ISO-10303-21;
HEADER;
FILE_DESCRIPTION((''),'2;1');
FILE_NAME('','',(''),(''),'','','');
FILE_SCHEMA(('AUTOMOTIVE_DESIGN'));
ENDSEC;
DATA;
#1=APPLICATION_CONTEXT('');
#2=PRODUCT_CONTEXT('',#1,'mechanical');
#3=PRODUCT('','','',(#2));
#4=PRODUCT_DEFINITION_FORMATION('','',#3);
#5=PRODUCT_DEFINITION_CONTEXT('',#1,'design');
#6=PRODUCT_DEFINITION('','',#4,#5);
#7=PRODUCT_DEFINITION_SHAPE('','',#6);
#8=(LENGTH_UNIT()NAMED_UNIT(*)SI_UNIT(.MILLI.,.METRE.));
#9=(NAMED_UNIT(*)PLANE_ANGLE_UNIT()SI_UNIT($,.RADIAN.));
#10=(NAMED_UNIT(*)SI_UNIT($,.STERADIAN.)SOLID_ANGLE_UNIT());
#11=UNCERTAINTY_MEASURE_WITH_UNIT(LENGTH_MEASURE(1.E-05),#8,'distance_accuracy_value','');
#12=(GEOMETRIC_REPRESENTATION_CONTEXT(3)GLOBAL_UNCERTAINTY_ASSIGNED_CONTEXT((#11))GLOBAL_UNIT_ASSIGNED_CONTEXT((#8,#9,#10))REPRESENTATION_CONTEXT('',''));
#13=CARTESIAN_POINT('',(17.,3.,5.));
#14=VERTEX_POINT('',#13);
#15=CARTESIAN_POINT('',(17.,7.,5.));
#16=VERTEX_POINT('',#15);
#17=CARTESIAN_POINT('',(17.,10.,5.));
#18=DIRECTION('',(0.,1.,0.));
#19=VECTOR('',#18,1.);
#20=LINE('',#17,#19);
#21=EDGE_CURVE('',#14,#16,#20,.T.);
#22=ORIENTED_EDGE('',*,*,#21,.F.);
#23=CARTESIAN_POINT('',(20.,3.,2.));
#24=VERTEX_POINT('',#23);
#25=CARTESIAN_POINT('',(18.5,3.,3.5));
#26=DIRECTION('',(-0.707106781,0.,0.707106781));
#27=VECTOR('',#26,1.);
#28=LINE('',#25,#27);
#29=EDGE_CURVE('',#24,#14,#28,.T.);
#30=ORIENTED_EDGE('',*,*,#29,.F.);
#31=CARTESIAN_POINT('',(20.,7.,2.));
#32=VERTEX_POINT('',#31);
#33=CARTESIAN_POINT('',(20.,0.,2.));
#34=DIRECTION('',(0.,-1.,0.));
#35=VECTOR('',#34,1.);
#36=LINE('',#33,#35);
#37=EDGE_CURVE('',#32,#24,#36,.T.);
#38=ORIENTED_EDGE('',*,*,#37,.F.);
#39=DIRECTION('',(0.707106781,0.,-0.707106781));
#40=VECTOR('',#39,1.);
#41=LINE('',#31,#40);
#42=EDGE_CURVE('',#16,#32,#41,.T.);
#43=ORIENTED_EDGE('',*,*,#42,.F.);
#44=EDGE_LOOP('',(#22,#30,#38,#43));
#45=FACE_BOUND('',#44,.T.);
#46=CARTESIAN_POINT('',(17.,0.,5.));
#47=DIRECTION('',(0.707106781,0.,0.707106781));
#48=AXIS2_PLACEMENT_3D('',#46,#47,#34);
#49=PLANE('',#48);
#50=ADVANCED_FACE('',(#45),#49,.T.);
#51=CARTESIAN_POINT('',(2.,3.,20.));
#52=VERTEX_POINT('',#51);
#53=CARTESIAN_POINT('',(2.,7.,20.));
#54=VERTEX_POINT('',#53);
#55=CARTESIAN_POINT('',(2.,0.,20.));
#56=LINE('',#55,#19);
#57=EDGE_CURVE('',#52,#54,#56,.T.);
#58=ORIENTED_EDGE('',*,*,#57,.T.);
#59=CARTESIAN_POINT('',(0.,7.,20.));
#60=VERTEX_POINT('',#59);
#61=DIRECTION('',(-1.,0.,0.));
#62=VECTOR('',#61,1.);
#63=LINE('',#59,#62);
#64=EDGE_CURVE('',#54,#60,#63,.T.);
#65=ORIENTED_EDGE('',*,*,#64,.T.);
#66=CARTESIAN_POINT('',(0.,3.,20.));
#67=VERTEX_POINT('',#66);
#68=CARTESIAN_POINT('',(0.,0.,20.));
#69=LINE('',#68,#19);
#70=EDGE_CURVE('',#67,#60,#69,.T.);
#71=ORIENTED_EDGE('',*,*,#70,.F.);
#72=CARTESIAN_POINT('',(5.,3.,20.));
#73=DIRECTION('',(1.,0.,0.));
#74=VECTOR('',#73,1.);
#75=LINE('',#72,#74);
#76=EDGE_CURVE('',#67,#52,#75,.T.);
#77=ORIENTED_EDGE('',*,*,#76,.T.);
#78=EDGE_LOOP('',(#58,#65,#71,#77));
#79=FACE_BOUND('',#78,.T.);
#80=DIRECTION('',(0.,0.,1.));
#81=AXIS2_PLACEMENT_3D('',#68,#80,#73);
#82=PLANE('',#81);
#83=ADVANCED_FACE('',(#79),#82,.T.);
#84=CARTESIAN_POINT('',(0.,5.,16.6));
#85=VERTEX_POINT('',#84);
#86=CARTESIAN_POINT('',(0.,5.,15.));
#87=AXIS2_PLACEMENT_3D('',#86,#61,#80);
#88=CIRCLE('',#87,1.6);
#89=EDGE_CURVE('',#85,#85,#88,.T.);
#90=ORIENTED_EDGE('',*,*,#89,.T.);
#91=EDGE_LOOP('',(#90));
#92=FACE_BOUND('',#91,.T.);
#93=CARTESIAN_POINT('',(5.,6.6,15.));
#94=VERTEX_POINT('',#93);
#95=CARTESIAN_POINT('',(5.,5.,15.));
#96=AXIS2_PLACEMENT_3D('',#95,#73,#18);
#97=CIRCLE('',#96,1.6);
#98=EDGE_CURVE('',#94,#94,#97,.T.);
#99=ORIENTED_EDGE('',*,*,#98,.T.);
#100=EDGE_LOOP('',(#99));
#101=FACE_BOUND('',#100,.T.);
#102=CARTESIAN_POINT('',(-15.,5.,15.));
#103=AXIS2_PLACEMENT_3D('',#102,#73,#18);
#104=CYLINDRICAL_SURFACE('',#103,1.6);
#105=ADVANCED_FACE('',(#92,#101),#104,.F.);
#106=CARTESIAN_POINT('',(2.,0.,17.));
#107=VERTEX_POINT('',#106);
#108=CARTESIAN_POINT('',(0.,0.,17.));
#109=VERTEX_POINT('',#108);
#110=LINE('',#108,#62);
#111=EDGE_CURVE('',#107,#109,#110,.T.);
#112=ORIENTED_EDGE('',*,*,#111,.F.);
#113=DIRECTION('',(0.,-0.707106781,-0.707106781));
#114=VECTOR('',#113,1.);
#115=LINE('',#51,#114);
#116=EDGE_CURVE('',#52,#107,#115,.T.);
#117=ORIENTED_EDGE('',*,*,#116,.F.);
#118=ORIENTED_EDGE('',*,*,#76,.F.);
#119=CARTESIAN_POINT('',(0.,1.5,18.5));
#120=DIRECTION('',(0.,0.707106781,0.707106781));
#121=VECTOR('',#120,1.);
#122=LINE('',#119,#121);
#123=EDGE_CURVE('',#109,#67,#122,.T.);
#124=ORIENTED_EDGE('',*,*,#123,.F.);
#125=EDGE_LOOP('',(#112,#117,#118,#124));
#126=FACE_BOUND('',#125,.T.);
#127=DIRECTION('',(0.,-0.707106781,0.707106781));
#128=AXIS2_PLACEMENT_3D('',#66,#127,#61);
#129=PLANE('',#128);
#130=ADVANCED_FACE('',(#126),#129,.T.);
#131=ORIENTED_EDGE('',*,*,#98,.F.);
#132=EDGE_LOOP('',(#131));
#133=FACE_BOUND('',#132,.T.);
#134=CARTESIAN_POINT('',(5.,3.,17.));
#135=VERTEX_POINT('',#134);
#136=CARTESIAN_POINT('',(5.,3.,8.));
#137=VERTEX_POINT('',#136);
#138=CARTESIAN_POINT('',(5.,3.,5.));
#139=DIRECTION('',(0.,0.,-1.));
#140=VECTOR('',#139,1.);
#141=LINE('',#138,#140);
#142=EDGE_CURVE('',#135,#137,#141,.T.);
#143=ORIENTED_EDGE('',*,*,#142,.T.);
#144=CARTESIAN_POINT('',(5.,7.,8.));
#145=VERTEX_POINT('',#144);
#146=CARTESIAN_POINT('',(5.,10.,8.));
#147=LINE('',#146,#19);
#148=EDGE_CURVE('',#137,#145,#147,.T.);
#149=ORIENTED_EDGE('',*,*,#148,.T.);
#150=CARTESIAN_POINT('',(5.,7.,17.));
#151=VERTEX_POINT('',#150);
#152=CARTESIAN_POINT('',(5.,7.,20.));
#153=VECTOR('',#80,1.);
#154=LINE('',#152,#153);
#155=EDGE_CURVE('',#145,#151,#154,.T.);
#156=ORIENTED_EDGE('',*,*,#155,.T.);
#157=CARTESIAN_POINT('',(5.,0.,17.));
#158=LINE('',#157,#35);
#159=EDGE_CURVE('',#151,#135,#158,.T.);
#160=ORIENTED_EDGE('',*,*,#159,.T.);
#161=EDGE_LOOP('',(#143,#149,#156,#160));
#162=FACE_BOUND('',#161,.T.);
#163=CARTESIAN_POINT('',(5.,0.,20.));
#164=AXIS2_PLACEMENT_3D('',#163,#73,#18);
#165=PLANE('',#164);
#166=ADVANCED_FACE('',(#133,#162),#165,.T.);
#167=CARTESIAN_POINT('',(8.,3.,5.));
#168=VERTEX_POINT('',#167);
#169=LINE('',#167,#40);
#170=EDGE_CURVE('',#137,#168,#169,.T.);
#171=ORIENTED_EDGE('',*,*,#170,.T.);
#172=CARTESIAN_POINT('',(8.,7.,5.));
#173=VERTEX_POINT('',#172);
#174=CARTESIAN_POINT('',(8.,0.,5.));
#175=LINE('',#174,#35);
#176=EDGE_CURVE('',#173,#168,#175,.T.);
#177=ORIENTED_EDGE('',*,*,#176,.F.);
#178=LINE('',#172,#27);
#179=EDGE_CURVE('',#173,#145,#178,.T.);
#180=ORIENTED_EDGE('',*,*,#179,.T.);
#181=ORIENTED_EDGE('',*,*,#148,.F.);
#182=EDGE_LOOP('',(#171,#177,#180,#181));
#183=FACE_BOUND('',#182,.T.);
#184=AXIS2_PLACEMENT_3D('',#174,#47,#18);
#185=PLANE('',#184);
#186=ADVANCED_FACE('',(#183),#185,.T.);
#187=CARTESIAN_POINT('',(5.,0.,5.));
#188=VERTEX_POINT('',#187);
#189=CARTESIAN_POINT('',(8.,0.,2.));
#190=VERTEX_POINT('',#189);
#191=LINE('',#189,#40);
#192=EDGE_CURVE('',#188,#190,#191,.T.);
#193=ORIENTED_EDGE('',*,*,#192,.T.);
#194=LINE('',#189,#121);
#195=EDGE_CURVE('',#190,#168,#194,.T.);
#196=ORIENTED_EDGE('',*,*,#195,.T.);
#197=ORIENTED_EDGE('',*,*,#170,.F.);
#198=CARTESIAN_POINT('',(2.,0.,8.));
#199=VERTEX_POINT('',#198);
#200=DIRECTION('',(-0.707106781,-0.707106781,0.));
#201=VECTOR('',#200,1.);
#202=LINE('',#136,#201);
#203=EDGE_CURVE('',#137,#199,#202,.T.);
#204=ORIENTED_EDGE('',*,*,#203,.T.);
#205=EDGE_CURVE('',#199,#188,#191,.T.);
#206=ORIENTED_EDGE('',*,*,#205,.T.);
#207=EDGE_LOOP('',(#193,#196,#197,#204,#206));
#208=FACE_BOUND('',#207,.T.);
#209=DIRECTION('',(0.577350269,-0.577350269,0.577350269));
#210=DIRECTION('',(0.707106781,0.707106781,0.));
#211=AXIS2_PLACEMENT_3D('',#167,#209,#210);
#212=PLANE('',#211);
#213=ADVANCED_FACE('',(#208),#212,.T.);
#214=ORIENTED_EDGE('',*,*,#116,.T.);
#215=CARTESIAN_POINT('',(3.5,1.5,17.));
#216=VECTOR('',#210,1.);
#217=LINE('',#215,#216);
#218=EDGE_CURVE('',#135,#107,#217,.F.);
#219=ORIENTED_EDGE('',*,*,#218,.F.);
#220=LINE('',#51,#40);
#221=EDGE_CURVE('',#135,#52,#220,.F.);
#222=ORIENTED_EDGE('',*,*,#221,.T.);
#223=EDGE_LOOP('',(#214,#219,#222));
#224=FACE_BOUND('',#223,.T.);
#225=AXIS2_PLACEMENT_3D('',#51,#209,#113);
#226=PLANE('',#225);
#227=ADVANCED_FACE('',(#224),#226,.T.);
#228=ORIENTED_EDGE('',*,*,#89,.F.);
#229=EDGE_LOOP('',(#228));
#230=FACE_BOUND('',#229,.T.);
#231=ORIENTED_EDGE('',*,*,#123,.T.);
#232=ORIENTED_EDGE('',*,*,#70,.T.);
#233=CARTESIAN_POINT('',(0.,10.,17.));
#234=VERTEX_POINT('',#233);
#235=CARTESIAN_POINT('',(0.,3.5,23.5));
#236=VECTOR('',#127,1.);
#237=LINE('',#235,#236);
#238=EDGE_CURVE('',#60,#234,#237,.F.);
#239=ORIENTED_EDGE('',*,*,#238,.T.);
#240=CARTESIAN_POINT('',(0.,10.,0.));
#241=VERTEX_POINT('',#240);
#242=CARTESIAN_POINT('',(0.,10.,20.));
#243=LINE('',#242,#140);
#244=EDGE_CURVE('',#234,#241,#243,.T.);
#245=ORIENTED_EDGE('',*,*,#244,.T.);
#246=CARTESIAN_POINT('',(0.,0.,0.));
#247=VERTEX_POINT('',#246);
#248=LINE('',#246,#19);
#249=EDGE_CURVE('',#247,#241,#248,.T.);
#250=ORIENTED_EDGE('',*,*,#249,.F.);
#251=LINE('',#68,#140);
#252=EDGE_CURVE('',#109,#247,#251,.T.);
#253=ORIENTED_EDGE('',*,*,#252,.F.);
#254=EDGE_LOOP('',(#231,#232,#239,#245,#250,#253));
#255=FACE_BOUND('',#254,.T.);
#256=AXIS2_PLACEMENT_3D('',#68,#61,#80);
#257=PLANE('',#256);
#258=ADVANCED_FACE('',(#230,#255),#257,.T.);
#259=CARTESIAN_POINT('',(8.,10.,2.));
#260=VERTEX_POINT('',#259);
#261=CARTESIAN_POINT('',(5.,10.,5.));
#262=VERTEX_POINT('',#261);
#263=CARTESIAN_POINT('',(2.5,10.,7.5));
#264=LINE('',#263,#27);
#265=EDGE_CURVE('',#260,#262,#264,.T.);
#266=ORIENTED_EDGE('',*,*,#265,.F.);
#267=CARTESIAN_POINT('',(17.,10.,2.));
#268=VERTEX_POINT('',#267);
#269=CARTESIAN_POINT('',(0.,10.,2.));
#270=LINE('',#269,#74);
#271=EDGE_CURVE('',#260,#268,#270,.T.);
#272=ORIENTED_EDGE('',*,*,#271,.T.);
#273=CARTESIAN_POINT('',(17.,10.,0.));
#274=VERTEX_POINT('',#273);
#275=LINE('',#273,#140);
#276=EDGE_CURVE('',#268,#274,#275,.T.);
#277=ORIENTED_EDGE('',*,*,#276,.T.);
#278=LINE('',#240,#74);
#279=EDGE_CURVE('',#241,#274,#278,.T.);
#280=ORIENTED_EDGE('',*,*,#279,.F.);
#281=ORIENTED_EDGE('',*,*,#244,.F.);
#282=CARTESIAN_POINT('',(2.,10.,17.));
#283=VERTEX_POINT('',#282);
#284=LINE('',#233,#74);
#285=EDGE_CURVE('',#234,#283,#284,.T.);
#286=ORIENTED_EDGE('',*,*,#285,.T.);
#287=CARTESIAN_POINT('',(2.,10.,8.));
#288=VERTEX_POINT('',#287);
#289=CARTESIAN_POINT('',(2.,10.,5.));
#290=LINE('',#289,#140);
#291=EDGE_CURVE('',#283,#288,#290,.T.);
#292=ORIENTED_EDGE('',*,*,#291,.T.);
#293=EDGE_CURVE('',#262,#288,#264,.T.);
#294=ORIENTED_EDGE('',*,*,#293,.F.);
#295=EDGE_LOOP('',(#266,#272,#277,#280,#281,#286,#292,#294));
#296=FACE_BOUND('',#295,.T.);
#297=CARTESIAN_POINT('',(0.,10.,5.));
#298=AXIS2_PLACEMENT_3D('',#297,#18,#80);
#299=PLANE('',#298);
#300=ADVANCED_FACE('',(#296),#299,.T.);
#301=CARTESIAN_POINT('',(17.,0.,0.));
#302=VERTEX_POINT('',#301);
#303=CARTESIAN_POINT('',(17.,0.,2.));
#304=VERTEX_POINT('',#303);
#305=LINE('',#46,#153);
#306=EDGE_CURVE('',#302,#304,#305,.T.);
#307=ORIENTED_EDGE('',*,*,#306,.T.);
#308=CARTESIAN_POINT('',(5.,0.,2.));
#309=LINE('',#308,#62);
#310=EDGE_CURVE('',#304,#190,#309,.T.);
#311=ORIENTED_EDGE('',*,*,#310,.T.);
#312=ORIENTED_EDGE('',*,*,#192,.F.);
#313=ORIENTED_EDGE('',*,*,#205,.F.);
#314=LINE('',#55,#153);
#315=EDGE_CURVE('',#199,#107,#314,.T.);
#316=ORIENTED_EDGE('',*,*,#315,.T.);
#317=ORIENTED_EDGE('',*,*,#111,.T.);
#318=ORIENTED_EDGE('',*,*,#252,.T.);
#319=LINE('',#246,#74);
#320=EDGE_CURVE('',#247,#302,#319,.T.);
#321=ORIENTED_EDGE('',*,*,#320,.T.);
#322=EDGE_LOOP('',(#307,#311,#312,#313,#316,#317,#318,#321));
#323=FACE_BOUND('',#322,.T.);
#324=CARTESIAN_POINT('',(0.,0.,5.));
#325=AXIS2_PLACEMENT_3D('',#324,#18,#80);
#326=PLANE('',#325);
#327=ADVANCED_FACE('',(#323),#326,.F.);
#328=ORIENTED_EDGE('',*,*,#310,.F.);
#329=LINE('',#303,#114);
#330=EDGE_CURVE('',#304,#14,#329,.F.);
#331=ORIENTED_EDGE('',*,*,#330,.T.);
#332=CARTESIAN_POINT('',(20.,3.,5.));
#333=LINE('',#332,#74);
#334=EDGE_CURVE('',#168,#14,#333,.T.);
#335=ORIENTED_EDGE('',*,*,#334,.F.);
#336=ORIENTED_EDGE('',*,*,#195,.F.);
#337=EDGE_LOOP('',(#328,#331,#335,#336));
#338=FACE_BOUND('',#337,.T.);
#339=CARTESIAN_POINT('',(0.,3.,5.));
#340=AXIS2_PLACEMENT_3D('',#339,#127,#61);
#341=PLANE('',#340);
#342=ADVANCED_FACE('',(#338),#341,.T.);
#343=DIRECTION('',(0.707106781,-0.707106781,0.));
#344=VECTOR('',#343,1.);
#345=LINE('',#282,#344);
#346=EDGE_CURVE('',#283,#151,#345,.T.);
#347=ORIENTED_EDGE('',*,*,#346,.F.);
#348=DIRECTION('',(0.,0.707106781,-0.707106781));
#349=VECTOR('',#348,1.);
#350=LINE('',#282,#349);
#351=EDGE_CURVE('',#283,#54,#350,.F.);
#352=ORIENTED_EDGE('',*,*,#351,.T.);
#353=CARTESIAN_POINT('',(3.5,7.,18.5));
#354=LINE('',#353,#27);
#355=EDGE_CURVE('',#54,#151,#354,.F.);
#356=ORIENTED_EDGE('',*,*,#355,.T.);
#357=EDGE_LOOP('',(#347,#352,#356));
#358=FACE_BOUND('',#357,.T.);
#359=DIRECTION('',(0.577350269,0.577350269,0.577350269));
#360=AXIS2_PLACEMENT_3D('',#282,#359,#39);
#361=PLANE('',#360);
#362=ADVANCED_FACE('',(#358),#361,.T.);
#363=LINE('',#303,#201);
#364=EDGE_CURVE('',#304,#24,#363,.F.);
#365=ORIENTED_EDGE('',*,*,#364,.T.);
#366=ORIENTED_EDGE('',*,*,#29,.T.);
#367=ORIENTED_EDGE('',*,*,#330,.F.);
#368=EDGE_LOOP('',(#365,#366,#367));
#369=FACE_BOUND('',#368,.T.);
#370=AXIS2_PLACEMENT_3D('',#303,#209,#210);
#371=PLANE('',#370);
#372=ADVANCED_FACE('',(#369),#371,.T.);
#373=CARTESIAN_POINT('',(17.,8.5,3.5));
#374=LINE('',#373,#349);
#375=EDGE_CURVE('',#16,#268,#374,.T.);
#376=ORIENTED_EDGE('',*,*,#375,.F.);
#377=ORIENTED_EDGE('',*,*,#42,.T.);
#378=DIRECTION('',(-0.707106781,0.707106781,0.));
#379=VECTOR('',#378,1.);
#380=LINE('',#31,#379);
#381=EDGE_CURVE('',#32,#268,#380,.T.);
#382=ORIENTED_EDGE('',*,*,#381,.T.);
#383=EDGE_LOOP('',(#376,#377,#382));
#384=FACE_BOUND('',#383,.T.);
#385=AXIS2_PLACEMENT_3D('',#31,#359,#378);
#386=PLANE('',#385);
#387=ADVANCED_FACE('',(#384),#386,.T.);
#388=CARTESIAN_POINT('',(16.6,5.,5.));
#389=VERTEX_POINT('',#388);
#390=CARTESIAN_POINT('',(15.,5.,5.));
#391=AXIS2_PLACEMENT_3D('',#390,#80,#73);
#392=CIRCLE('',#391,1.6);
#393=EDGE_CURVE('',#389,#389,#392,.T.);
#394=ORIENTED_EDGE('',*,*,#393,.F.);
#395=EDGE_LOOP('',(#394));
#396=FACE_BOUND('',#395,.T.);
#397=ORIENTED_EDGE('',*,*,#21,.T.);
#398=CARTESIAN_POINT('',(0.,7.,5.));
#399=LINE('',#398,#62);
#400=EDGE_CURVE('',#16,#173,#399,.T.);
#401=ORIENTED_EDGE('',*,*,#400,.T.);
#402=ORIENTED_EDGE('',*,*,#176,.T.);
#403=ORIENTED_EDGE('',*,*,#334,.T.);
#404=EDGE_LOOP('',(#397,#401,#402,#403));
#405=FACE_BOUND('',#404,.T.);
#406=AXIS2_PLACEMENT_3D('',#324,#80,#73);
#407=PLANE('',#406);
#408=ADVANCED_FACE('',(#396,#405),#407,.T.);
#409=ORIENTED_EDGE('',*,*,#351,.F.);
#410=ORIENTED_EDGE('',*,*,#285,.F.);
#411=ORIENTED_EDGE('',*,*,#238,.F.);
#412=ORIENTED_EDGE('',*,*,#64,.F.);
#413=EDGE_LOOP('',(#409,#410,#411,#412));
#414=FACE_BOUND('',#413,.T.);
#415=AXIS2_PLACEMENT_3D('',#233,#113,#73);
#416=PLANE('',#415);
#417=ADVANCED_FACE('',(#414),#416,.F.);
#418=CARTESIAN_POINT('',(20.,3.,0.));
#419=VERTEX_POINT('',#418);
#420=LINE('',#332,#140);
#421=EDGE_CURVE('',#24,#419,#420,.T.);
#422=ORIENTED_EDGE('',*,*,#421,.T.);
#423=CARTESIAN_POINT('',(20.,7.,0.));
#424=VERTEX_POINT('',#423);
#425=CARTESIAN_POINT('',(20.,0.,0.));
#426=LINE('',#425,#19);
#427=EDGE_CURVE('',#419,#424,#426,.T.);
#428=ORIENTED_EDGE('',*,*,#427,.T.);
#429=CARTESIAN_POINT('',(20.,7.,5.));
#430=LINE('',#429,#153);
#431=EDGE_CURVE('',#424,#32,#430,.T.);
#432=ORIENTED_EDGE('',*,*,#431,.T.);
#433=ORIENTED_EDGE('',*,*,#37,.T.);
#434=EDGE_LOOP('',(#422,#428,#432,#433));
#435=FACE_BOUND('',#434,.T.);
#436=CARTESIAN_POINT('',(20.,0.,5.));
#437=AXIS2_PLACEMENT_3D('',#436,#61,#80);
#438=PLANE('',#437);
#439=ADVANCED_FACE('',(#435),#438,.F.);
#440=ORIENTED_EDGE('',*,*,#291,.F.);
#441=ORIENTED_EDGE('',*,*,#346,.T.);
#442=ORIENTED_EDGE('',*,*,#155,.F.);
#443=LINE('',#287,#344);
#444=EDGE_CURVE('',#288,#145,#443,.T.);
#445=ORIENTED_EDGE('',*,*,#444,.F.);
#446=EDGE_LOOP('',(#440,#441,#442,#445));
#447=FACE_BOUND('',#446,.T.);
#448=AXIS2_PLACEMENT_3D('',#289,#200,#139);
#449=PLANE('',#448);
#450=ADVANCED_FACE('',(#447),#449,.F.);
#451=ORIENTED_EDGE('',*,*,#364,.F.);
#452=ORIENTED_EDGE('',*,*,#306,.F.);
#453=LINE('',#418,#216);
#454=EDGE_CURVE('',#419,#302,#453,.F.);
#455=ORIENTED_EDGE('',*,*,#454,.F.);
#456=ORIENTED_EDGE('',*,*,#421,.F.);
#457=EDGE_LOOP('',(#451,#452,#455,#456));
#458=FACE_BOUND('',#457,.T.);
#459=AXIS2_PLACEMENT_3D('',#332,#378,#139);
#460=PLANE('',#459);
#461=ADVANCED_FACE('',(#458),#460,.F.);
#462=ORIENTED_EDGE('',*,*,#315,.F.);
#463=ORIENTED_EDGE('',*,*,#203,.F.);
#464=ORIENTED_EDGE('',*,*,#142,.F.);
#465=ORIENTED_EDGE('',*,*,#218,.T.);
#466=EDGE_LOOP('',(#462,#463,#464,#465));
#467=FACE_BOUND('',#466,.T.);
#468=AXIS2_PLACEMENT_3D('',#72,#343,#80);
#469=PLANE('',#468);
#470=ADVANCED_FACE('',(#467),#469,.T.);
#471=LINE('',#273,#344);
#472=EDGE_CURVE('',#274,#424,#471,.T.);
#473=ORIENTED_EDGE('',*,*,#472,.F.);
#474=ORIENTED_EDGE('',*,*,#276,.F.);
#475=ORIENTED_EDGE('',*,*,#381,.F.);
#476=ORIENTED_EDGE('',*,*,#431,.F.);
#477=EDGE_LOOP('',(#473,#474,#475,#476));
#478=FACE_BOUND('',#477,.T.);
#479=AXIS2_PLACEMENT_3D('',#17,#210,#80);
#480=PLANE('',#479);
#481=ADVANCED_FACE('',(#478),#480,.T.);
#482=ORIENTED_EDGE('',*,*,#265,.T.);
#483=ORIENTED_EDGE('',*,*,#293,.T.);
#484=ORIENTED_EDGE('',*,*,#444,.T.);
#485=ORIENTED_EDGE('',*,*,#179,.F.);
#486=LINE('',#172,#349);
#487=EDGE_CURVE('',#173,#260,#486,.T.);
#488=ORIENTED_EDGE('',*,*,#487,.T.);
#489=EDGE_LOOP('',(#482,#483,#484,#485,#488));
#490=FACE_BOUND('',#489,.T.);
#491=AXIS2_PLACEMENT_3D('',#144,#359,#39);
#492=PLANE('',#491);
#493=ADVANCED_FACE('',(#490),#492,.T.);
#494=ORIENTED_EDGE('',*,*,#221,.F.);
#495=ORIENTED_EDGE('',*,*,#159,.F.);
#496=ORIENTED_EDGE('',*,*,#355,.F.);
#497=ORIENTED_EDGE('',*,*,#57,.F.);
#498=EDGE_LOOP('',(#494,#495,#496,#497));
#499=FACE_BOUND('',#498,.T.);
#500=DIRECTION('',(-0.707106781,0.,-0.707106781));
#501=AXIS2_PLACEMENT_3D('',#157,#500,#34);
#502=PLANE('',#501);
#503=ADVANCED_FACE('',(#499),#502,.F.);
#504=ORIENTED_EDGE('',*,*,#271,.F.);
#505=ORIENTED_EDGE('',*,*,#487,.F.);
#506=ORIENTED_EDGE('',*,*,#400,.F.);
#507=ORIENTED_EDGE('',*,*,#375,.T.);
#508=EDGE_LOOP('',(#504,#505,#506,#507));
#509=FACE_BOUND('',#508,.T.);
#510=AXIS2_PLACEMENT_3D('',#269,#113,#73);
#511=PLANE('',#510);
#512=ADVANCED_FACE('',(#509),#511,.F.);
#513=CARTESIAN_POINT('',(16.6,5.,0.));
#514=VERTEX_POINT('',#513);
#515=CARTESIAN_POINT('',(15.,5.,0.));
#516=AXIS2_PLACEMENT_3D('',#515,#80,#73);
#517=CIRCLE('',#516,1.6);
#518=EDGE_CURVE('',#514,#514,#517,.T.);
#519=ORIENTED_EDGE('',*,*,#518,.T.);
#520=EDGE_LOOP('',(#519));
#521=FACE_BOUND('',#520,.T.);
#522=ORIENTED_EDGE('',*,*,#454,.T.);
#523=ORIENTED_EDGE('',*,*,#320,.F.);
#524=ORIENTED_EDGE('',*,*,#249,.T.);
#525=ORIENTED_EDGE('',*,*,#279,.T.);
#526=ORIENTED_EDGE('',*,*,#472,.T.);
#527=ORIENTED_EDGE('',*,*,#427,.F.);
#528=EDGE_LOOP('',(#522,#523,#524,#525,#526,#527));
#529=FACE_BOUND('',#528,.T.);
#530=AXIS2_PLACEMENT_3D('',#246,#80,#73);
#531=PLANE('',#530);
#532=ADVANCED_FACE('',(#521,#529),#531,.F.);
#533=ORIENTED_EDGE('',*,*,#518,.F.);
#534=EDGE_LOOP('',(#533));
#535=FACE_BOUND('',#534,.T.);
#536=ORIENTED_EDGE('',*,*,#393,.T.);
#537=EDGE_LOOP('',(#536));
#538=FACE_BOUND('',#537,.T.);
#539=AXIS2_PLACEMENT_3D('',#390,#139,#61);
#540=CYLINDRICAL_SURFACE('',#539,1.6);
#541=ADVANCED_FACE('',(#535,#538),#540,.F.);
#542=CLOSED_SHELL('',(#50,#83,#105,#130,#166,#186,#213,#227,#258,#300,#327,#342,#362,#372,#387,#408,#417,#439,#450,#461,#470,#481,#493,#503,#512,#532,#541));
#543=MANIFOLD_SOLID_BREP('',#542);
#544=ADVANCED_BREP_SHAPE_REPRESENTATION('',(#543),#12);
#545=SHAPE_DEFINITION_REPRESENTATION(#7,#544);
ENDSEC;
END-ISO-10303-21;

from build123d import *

# Parameters (mm, degrees)
SKIZZE1_W                       = 15
SKIZZE1_H                       = 10
SKIZZE1_R                       = 1.6
AUFSATZ_LINEAR_AUSTRAGEN1_DEPTH = 5
SKIZZE1_9_W                     = 5
SKIZZE1_9_H                     = 10
AUFSATZ_LINEAR_AUSTRAGEN2_DEPTH = 20
SKIZZE3_R                       = 1.6
SCHNITT_LINEAR_AUSTRAGEN2_DEPTH = 20
FASE1_SIZE                      = 3


with BuildPart() as part:
    # Skizze1 → Aufsatz-Linear austragen1 (new body)
    with BuildSketch(Plane.XY):
        with Locations((12.5, 5)):
            Rectangle(SKIZZE1_W, SKIZZE1_H)
        with Locations((15, 5)):
            Circle(SKIZZE1_R, mode=Mode.SUBTRACT)
    extrude(amount=AUFSATZ_LINEAR_AUSTRAGEN1_DEPTH)

    # Skizze1<9> → Aufsatz-Linear austragen2 (add)
    with BuildSketch(Plane.XY):
        with Locations((2.5, 5)):
            Rectangle(SKIZZE1_9_W, SKIZZE1_9_H)
    extrude(amount=AUFSATZ_LINEAR_AUSTRAGEN2_DEPTH)

    # Skizze3 → Schnitt-Linear austragen2 (cut)
    with BuildSketch(Plane(origin=(5, 0, 0), x_dir=(0, 0, -1), z_dir=(1, 0, 0))):
        with Locations((-15, 5)):
            Circle(SKIZZE3_R)
    extrude(amount=-SCHNITT_LINEAR_AUSTRAGEN2_DEPTH, mode=Mode.SUBTRACT)

    # Fase1
    fase1_edges = [part.edges().sort_by_distance(p)[0] for p in [
        (5, 5, 5),
        (20, 10, 2.5),
        (20, 0, 2.5),
        (2.5, 0, 20),
        (2.5, 10, 20),
        (5, 10, 12.5),
        (5, 5, 20),
        (5, 0, 12.5),
        (12.5, 10, 5),
        (12.5, 0, 5),
        (20, 5, 5),
    ]]
    chamfer(fase1_edges, length=FASE1_SIZE)


solid = part.part
